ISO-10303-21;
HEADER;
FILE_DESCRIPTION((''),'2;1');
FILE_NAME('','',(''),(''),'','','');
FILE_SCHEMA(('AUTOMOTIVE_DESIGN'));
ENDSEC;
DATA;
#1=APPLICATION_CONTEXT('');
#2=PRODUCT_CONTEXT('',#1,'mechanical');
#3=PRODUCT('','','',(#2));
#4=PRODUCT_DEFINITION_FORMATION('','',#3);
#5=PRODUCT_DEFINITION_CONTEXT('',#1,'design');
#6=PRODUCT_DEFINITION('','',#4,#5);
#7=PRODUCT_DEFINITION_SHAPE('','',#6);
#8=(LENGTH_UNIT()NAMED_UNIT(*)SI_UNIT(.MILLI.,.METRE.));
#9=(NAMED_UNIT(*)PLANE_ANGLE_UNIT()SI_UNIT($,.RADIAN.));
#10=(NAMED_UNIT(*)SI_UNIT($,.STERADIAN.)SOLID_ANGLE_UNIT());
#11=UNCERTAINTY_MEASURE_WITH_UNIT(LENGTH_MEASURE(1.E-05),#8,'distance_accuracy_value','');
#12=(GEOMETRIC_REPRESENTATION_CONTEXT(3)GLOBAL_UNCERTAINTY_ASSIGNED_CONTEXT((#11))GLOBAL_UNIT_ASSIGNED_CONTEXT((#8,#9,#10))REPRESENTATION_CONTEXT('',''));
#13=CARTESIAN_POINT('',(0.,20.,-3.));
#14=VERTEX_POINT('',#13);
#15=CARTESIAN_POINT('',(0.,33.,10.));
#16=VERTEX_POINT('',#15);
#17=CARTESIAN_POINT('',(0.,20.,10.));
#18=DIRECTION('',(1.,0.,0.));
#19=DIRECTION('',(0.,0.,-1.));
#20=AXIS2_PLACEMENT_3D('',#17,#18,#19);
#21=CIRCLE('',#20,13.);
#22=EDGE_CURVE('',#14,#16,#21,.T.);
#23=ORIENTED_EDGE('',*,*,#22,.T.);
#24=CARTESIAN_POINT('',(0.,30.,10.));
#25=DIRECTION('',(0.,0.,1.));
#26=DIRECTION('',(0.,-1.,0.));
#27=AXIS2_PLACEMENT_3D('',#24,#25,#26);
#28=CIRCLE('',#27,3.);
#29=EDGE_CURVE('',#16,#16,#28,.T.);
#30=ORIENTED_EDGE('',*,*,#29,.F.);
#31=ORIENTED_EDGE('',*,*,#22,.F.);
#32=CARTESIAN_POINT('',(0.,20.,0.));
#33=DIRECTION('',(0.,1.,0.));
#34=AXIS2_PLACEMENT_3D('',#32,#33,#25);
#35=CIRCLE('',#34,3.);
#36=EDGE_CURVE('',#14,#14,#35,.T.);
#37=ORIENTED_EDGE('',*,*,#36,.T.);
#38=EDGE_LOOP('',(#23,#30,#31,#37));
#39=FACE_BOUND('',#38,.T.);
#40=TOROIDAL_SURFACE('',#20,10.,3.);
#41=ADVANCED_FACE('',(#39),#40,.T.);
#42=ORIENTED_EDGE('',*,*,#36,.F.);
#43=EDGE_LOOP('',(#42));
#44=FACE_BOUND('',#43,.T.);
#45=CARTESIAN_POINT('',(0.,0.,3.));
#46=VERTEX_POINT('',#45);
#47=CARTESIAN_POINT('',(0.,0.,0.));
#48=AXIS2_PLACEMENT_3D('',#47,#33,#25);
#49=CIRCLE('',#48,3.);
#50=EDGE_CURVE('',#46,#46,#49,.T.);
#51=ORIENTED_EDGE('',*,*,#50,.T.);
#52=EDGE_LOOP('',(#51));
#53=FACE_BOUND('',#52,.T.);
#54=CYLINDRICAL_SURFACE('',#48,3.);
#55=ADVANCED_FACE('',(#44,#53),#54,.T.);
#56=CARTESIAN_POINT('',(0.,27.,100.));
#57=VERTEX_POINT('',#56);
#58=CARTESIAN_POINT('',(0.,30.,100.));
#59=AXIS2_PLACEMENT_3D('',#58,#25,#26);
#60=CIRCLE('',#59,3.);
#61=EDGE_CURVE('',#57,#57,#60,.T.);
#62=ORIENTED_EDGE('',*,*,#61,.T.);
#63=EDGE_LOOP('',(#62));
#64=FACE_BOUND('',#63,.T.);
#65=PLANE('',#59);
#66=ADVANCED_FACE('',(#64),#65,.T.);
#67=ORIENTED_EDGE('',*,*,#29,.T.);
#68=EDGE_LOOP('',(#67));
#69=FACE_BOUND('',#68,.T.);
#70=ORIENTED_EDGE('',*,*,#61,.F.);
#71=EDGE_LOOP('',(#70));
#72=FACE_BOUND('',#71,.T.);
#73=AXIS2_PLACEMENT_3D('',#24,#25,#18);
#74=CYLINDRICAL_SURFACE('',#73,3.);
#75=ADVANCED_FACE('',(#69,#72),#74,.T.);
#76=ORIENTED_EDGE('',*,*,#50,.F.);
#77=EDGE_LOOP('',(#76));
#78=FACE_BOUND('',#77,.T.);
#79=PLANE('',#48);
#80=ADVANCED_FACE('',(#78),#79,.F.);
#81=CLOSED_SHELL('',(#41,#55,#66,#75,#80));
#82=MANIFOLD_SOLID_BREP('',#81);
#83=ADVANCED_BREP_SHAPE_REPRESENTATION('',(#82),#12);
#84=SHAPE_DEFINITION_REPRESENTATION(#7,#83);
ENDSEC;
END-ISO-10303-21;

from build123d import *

# Parameters (mm, degrees)
SKETCH1_R = 3


with BuildPart() as part:
    # Sweep1: sweep along a curve in space
    with BuildLine() as sweep1_path:
        Line((0, 0, 0), (0, 20, 0))
        ThreePointArc((0, 30, 10), (0, 27.071067812, 2.928932188), (0, 20, 0))
        Line((0, 30, 10), (0, 30, 100))
    # Sketch1 → Sweep1 (sweep)
    with BuildSketch(Plane(origin=(0, 0, 0), x_dir=(-1, 0, 0), z_dir=(0, 1, 0))):
        Circle(SKETCH1_R)
    sweep(path=sweep1_path.line)


solid = part.part
